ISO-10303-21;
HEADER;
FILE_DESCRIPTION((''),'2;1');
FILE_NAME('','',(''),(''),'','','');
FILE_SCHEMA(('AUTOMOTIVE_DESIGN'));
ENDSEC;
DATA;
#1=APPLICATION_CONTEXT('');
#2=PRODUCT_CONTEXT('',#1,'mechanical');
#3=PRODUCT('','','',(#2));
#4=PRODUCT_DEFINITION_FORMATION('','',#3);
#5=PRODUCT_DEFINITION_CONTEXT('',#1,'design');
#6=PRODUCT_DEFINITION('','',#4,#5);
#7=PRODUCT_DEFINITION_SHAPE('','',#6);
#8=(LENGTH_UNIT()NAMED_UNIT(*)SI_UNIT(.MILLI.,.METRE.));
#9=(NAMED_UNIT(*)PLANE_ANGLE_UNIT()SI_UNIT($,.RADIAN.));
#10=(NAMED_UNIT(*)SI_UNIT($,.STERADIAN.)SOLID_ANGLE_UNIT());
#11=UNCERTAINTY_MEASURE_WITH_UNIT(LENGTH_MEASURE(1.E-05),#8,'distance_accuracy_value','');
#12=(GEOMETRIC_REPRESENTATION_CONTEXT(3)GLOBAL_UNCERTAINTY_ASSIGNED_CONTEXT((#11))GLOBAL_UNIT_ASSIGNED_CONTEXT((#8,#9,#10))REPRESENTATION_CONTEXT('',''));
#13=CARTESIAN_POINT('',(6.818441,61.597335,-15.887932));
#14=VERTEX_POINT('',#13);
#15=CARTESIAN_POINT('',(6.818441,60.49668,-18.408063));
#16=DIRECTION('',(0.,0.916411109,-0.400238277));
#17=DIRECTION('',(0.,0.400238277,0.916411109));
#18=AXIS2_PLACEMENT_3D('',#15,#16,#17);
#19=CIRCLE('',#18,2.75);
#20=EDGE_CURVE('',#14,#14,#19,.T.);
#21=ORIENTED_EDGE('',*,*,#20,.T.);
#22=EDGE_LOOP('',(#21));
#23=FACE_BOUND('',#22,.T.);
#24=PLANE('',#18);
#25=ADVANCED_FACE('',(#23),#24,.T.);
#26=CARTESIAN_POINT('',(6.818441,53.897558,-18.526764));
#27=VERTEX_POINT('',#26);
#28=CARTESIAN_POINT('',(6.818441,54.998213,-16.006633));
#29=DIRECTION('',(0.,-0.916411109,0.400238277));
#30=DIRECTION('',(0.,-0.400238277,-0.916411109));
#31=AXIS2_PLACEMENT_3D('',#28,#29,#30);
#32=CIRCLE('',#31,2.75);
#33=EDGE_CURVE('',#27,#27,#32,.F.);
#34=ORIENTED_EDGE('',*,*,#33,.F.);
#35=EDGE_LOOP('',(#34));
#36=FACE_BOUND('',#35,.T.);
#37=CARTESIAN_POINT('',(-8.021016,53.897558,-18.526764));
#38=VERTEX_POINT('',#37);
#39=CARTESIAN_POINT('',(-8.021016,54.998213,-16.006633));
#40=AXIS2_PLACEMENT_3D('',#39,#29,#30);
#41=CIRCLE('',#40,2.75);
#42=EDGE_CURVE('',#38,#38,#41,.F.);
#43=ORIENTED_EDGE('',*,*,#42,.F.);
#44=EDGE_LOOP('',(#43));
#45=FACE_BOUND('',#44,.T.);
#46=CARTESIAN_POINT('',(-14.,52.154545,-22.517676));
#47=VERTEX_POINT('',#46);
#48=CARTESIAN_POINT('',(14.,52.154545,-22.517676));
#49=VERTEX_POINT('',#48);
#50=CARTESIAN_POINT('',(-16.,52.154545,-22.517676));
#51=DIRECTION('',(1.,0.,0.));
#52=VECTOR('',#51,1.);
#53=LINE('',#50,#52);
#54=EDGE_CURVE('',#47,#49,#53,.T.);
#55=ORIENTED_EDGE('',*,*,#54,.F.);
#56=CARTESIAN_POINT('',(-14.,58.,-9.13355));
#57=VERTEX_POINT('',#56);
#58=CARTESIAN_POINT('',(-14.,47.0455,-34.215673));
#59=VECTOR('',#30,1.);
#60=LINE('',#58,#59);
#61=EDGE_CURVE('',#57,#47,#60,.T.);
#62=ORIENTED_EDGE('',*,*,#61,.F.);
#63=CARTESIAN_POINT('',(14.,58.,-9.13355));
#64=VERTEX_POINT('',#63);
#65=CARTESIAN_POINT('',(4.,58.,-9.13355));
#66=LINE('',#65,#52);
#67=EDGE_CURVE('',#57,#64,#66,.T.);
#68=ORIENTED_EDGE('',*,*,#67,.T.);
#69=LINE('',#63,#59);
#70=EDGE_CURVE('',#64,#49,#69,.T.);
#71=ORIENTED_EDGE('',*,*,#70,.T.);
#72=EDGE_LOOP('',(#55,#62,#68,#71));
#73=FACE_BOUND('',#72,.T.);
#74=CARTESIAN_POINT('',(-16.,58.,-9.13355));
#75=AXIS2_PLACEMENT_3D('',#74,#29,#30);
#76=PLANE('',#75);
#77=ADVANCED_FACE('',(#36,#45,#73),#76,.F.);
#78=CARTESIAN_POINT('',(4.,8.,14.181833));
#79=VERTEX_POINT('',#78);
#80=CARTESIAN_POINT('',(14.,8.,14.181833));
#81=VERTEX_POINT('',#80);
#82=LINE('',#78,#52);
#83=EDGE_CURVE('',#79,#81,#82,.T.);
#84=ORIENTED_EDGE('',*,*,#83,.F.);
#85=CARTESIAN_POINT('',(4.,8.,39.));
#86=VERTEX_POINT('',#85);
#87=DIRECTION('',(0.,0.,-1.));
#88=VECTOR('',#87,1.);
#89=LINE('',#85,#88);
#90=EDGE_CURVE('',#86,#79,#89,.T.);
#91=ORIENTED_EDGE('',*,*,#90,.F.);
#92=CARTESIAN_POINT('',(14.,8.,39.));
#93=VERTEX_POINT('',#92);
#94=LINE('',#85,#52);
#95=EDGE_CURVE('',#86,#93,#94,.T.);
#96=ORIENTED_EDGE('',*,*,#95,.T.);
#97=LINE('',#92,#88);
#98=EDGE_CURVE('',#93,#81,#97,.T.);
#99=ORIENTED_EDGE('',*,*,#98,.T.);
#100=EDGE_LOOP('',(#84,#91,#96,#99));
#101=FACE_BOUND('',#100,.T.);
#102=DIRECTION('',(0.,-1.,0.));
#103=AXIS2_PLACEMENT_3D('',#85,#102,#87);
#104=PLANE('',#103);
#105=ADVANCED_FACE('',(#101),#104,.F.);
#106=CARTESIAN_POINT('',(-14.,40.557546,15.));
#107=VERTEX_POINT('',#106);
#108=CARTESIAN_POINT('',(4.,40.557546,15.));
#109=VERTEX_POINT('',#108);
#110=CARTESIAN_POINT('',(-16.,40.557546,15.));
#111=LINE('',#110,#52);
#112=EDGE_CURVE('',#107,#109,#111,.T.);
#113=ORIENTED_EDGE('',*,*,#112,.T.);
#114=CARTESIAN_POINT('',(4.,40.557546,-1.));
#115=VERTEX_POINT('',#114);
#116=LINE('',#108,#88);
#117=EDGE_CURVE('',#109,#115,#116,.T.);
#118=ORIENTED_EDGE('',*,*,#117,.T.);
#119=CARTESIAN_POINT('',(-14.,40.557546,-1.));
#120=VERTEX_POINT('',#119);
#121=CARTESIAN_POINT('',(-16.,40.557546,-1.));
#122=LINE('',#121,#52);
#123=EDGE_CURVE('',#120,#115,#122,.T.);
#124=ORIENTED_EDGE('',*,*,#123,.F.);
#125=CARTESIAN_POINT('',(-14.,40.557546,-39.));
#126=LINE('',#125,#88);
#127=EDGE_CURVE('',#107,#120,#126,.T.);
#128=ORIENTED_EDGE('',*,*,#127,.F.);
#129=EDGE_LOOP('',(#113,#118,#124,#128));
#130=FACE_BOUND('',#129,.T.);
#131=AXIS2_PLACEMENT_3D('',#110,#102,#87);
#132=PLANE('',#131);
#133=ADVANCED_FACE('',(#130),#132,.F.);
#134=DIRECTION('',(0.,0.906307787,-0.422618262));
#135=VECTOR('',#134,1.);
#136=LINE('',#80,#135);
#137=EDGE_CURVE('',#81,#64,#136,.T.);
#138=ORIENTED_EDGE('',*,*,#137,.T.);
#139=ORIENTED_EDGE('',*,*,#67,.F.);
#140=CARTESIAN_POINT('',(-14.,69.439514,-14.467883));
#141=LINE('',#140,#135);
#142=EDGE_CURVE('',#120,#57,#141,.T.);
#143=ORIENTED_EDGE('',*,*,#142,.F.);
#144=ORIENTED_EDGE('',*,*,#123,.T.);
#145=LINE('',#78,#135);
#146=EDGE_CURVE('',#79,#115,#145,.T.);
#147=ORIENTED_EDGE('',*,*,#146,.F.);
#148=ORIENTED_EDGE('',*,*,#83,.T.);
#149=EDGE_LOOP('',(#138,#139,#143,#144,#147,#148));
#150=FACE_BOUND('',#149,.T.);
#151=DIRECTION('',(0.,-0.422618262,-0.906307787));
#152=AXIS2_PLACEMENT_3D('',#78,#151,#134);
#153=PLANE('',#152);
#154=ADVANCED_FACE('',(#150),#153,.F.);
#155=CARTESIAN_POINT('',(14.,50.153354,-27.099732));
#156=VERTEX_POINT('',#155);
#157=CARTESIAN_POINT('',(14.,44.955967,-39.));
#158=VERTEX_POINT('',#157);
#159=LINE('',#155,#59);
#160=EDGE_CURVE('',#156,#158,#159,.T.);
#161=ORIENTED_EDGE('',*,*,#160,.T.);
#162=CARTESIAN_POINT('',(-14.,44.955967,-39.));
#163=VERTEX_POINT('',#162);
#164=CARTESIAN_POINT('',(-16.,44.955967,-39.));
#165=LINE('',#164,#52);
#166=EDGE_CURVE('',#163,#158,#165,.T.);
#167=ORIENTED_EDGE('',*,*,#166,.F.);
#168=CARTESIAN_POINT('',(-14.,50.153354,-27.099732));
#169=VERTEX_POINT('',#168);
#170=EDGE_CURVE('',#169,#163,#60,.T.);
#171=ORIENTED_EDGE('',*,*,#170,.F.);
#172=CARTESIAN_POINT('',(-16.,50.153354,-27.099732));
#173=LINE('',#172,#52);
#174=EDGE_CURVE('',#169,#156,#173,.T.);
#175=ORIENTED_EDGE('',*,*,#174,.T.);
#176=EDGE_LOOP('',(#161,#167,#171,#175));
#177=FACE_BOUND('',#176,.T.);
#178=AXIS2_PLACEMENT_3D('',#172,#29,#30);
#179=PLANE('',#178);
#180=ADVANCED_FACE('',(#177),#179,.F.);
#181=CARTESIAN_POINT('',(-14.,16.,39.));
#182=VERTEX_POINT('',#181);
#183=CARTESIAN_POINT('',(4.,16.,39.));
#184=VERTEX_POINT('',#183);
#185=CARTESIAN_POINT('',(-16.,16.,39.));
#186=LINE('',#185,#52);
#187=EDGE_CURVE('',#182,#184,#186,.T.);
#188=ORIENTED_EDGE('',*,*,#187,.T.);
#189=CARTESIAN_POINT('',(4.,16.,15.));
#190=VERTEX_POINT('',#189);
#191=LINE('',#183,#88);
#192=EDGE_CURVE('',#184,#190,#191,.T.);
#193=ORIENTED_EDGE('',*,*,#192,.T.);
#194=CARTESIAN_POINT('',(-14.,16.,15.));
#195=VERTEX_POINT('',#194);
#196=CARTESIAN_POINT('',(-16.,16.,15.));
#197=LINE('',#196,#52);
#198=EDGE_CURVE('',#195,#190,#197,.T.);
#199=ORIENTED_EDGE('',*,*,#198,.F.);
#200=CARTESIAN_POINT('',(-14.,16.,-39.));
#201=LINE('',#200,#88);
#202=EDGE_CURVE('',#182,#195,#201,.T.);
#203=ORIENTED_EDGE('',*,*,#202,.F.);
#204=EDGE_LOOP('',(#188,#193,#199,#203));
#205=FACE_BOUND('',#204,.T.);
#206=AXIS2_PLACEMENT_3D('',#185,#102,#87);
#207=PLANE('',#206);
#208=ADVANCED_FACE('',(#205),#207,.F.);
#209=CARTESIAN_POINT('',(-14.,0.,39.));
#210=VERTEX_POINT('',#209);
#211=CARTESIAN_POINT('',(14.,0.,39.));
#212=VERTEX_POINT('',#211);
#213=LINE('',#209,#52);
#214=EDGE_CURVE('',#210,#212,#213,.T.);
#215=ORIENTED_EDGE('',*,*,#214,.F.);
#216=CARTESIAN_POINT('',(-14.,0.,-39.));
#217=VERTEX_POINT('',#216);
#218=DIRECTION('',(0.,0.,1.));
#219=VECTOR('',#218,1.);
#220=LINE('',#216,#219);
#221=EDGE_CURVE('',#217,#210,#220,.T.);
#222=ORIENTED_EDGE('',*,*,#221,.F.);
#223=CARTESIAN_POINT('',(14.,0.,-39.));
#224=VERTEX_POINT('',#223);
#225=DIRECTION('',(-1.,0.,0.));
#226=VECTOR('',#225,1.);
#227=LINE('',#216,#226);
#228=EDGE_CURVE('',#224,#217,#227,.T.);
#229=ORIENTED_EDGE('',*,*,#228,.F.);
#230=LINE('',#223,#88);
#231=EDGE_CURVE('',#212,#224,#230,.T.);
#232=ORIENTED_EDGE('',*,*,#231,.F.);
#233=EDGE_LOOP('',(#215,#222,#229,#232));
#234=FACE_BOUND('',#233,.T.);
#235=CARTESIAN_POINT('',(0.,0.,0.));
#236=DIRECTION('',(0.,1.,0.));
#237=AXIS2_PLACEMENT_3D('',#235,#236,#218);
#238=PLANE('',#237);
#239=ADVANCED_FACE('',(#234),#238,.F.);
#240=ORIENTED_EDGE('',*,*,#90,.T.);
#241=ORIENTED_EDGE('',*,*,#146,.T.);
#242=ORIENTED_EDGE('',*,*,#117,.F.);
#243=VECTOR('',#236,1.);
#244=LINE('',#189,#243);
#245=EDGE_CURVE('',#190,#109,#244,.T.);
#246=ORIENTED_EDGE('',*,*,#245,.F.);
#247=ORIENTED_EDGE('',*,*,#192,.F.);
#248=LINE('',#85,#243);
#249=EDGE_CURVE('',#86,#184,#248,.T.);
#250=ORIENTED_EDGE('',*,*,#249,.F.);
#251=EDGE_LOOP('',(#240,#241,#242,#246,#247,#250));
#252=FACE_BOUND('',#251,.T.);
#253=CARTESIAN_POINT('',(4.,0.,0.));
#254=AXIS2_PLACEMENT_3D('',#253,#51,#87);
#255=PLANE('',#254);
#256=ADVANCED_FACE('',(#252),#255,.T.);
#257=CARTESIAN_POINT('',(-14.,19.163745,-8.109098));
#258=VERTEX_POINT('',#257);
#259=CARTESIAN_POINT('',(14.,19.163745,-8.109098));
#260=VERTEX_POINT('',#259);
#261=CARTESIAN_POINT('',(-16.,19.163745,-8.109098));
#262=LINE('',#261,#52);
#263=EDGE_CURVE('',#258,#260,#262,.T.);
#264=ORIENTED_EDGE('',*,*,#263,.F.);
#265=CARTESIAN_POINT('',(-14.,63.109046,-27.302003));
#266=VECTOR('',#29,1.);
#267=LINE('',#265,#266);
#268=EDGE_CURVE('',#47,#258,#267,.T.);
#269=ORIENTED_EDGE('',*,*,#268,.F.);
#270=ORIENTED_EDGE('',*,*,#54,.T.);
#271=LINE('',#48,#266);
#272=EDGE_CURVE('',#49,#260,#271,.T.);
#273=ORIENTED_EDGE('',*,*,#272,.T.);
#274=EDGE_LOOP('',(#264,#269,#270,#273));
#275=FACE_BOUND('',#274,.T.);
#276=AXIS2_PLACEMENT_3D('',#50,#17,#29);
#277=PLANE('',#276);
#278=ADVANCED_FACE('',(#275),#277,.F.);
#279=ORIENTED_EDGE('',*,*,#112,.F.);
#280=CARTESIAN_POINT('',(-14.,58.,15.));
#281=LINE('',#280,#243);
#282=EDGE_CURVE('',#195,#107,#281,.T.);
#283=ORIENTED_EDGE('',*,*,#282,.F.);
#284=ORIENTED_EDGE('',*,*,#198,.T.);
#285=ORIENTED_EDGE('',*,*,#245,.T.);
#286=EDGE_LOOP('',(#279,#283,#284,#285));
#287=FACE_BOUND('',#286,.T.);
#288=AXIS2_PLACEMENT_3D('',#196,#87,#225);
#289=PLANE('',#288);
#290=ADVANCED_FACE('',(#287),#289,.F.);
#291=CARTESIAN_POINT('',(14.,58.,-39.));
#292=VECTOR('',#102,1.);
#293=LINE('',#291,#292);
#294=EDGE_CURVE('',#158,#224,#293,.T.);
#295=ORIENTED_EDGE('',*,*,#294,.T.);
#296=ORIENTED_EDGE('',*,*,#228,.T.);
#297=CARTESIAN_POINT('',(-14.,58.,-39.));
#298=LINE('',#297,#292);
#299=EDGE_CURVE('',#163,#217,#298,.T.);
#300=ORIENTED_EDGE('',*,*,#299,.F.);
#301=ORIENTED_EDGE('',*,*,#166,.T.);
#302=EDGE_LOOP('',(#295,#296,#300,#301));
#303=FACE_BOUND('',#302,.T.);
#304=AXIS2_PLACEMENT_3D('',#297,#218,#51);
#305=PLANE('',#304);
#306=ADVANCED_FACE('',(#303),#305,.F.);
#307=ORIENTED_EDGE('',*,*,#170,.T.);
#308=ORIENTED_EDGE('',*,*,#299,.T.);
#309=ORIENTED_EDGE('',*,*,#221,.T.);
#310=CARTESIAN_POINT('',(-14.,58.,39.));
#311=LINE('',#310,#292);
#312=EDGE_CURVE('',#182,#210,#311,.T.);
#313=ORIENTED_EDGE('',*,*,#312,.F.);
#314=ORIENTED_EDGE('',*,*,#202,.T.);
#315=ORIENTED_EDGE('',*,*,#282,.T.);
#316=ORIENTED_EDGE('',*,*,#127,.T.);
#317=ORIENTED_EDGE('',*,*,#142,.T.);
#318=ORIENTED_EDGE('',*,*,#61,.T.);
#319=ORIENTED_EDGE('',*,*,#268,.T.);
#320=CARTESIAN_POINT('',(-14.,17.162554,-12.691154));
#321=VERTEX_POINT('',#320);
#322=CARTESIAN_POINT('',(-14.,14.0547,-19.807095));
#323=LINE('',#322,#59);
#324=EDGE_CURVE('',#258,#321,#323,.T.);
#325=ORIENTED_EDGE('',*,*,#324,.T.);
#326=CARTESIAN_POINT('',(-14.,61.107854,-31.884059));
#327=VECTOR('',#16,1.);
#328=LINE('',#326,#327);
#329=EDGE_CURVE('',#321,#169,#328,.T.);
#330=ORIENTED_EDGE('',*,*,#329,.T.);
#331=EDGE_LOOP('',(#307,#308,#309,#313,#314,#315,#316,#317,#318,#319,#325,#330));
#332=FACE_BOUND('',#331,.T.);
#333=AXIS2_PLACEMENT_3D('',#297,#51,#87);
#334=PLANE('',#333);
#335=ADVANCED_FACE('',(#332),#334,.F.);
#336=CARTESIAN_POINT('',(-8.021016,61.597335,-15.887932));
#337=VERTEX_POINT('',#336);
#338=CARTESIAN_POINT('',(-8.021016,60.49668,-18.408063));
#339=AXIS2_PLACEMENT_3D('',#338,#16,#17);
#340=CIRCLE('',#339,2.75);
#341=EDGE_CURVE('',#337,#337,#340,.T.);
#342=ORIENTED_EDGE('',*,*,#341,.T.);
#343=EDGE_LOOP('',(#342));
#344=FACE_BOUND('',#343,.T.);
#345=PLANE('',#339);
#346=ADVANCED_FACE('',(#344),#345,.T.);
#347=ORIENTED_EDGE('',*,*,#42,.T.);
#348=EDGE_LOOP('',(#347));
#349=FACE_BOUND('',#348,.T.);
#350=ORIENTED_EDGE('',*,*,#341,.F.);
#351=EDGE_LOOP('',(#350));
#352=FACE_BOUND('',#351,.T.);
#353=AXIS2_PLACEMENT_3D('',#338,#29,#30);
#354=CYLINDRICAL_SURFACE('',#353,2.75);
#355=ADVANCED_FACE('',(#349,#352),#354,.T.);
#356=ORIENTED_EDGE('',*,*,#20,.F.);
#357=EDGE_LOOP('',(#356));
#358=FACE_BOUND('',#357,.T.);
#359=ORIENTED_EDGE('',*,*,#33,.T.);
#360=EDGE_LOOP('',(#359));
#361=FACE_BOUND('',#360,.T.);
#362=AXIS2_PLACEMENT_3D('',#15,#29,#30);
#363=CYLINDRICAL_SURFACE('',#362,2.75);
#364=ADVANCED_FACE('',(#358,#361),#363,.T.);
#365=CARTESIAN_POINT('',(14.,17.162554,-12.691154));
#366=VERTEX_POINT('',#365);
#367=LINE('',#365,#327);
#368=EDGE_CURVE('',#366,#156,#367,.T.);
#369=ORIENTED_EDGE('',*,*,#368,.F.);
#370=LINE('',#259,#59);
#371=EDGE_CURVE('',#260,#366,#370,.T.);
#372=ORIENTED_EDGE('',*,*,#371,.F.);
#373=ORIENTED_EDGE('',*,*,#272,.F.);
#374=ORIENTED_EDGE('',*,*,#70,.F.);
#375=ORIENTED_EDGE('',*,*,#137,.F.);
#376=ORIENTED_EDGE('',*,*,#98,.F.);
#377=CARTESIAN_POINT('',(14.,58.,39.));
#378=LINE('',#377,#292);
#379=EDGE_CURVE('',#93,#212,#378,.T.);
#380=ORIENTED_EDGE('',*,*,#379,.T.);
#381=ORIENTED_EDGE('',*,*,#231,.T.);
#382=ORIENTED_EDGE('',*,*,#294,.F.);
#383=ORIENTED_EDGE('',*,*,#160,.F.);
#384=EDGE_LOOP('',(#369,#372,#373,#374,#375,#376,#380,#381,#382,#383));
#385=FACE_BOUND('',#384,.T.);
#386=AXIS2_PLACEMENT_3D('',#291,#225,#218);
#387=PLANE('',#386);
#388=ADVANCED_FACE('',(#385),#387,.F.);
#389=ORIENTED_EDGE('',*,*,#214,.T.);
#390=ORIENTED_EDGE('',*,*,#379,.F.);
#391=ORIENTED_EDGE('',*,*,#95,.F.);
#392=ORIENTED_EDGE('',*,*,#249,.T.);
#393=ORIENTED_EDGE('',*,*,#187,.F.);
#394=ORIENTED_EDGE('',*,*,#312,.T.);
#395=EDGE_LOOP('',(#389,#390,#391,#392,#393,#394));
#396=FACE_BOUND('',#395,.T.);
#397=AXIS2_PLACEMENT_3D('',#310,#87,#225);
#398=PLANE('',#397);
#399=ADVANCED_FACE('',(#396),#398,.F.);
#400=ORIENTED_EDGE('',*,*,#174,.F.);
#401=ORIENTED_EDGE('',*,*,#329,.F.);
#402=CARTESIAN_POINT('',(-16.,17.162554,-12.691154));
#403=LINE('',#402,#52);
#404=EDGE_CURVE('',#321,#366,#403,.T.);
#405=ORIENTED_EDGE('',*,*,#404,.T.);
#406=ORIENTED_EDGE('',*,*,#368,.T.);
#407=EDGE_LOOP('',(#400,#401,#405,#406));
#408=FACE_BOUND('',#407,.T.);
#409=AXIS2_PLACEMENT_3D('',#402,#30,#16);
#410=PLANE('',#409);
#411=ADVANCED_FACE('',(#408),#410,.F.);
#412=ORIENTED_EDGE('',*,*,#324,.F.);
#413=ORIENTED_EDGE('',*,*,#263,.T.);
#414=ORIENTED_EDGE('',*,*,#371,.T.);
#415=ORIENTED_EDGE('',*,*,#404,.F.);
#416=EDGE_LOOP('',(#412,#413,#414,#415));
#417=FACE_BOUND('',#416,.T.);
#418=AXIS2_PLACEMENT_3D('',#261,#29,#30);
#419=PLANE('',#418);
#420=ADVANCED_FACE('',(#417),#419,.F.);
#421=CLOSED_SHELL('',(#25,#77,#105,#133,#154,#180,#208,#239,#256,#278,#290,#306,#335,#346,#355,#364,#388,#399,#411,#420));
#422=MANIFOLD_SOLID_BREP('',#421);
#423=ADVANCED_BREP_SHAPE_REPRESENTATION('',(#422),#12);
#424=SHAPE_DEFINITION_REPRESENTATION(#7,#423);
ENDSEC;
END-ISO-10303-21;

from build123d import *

# Parameters (mm, degrees)
SKETCH1_W           = 28
SKETCH1_H           = 78
BOSS_EXTRUDE1_DEPTH = 58
CUT_EXTRUDE1_DEPTH  = 10
CUT_EXTRUDE2_DEPTH  = 20
CUT_EXTRUDE3_DEPTH  = 30
SKETCH5_R           = 2.75
BOSS_EXTRUDE2_DEPTH = 6


with BuildPart() as part:
    # Sketch1 → Boss-Extrude1 (new body)
    with BuildSketch(Plane(origin=(0, 0, 0), x_dir=(1, 0, 0), z_dir=(0, 1, 0))):
        Rectangle(SKETCH1_W, SKETCH1_H)
    extrude(amount=BOSS_EXTRUDE1_DEPTH)

    # Sketch2 → Cut-Extrude1 (cut)
    with BuildSketch(Plane(origin=(14, 0, 0), x_dir=(0, 0, -1), z_dir=(1, 0, 0))):
        Polygon((-39, 8), (-14.181832949, 8), (9.133549959, 58), (-39, 58), align=None)
    extrude(amount=-CUT_EXTRUDE1_DEPTH, mode=Mode.SUBTRACT)

    # Sketch3 → Cut-Extrude2 (cut)
    with BuildSketch(Plane(origin=(4, 0, 0), x_dir=(0, 0, -1), z_dir=(1, 0, 0))):
        Polygon((-39, 16), (-15, 16), (-15, 40.557545824), (1, 40.557545824), (9.133549959, 58), (-39, 58), align=None)
    extrude(amount=-CUT_EXTRUDE2_DEPTH, mode=Mode.SUBTRACT)

    # Sketch4 → Cut-Extrude3 (cut)
    with BuildSketch(Plane(origin=(14, 0, 0), x_dir=(0, 0, -1), z_dir=(1, 0, 0))):
        Polygon((9.133549959, 58), (22.517676281, 52.154545261), (8.109098298, 19.163745323), (12.691153845, 17.162553937), (27.099731828, 50.153353874), (39, 44.95596726), (39, 58), align=None)
    extrude(amount=-CUT_EXTRUDE3_DEPTH, mode=Mode.SUBTRACT)

    # Sketch5 → Boss-Extrude2 (add)
    with BuildSketch(Plane(origin=(0, 52.058969702, -22.736512182), x_dir=(1, 0, 0), z_dir=(0, 0.9164111093707628, -0.40023827730721606))):
        with Locations(Location((-8.021015767, -7.343733433, 0), (0, 0, 90))):
            Circle(SKETCH5_R)
        with Locations(Location((6.818441056, -7.343733433, 0), (0, 0, 90))):
            Circle(SKETCH5_R)
    extrude(amount=BOSS_EXTRUDE2_DEPTH)


solid = part.part
